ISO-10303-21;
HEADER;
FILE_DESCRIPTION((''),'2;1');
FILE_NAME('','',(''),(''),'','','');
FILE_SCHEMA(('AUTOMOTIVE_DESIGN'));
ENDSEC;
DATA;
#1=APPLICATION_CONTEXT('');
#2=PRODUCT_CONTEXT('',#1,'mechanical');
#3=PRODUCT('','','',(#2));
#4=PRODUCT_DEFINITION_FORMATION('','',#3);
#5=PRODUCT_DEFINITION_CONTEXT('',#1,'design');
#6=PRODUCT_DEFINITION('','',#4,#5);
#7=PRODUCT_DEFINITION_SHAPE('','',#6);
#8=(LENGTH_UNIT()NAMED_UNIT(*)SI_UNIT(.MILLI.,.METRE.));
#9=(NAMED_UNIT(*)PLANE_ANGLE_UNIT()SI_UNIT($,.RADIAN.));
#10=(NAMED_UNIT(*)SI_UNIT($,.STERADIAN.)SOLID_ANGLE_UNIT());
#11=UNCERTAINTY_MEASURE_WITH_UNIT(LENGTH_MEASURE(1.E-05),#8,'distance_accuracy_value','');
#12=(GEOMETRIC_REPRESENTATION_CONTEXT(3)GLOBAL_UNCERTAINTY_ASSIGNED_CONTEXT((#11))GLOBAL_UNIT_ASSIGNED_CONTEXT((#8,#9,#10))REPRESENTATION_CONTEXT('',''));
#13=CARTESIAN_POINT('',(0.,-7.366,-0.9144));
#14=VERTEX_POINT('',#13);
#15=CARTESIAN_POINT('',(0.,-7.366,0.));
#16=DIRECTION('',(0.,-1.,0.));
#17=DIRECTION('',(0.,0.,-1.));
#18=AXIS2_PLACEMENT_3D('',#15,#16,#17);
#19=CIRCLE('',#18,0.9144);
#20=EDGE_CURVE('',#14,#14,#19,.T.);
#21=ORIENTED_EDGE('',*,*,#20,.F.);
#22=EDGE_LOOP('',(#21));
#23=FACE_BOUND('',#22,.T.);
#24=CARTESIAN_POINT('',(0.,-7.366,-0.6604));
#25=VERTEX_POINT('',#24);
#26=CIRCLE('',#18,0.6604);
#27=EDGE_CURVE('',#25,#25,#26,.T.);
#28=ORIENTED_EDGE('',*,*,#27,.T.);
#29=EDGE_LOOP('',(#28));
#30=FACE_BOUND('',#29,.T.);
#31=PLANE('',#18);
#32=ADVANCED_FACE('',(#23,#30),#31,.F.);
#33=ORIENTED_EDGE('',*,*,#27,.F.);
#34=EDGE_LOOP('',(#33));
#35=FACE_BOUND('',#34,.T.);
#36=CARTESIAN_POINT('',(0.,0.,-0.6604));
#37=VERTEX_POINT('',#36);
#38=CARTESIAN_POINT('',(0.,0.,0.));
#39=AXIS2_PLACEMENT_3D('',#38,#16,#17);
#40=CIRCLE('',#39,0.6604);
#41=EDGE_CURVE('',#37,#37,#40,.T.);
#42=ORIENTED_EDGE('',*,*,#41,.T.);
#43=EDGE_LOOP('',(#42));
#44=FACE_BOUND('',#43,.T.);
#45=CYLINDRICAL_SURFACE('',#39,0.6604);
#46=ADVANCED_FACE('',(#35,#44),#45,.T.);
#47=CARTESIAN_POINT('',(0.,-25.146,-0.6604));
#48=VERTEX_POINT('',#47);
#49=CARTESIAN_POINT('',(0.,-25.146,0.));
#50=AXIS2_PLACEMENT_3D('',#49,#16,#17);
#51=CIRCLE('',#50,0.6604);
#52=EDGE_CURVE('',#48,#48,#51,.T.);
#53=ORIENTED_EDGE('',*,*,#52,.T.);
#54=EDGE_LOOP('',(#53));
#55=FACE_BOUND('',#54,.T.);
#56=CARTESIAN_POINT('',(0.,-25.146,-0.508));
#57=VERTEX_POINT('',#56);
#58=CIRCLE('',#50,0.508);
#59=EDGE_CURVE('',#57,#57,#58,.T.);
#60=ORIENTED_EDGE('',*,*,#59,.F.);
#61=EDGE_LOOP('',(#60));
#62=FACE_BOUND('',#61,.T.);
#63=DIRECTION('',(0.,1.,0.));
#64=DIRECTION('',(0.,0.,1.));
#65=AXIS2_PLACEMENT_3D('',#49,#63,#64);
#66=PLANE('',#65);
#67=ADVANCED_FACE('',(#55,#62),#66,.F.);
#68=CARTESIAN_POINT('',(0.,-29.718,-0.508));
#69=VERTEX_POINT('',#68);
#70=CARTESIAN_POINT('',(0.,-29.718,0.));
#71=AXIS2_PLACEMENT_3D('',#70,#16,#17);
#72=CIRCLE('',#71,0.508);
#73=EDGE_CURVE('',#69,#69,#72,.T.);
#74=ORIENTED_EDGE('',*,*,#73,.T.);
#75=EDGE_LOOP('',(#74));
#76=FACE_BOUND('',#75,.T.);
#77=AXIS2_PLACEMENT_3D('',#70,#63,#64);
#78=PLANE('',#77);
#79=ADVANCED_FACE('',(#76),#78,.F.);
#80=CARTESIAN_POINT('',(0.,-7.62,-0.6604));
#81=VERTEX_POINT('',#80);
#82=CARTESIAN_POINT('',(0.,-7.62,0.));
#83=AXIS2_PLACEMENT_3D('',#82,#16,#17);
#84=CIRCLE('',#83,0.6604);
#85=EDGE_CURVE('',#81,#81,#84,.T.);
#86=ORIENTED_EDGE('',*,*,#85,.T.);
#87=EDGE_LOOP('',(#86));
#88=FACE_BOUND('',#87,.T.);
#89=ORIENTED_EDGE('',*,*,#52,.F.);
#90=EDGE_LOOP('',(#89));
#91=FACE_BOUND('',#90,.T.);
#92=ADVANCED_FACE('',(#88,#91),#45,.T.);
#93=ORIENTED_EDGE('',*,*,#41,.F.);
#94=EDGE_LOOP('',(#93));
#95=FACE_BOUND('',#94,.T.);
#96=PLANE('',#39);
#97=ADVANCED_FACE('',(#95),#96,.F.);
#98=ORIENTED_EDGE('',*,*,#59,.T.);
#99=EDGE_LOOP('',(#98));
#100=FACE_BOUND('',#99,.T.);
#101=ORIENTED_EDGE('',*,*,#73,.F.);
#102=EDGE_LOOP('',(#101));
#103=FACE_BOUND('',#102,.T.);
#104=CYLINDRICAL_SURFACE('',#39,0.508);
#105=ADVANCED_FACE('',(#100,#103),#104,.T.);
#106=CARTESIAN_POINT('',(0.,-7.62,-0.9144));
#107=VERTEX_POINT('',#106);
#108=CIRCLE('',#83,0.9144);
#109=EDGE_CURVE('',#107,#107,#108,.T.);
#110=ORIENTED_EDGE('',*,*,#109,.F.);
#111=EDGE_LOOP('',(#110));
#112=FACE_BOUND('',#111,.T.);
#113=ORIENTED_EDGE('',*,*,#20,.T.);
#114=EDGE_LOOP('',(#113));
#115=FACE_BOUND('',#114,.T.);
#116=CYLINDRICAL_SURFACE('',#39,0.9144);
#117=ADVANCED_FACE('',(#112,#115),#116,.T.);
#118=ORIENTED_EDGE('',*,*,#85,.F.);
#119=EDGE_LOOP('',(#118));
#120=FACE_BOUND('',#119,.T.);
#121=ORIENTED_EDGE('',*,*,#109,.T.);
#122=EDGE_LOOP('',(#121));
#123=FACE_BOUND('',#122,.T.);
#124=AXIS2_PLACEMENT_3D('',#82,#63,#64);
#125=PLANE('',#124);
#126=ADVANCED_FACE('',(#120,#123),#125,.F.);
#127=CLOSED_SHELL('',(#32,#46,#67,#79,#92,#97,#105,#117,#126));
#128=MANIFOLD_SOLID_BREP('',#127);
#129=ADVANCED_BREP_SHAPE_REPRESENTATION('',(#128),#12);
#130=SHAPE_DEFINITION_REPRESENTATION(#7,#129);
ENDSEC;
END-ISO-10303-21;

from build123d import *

# Parameters (mm, degrees)
SKETCH1_W = 0.254
SKETCH1_H = 0.254


with BuildPart() as part:
    # Sketch1 → Revolve2 (revolve)
    with BuildSketch(Plane.XY, mode=Mode.PRIVATE) as revolve2_sk:
        Polygon((0, -29.718), (0, 0), (0.6604, 0), (0.6604, -25.146), (0.508, -25.146), (0.508, -29.718), align=None)
        with Locations((0.7874, -7.493)):
            Rectangle(SKETCH1_W, SKETCH1_H)
    revolve(revolve2_sk.sketch.rotate(Axis((0, 0, 0), (0, 1, 0)), 90), axis=Axis((0, 0, 0), (0, 1, 0)))


solid = part.part
